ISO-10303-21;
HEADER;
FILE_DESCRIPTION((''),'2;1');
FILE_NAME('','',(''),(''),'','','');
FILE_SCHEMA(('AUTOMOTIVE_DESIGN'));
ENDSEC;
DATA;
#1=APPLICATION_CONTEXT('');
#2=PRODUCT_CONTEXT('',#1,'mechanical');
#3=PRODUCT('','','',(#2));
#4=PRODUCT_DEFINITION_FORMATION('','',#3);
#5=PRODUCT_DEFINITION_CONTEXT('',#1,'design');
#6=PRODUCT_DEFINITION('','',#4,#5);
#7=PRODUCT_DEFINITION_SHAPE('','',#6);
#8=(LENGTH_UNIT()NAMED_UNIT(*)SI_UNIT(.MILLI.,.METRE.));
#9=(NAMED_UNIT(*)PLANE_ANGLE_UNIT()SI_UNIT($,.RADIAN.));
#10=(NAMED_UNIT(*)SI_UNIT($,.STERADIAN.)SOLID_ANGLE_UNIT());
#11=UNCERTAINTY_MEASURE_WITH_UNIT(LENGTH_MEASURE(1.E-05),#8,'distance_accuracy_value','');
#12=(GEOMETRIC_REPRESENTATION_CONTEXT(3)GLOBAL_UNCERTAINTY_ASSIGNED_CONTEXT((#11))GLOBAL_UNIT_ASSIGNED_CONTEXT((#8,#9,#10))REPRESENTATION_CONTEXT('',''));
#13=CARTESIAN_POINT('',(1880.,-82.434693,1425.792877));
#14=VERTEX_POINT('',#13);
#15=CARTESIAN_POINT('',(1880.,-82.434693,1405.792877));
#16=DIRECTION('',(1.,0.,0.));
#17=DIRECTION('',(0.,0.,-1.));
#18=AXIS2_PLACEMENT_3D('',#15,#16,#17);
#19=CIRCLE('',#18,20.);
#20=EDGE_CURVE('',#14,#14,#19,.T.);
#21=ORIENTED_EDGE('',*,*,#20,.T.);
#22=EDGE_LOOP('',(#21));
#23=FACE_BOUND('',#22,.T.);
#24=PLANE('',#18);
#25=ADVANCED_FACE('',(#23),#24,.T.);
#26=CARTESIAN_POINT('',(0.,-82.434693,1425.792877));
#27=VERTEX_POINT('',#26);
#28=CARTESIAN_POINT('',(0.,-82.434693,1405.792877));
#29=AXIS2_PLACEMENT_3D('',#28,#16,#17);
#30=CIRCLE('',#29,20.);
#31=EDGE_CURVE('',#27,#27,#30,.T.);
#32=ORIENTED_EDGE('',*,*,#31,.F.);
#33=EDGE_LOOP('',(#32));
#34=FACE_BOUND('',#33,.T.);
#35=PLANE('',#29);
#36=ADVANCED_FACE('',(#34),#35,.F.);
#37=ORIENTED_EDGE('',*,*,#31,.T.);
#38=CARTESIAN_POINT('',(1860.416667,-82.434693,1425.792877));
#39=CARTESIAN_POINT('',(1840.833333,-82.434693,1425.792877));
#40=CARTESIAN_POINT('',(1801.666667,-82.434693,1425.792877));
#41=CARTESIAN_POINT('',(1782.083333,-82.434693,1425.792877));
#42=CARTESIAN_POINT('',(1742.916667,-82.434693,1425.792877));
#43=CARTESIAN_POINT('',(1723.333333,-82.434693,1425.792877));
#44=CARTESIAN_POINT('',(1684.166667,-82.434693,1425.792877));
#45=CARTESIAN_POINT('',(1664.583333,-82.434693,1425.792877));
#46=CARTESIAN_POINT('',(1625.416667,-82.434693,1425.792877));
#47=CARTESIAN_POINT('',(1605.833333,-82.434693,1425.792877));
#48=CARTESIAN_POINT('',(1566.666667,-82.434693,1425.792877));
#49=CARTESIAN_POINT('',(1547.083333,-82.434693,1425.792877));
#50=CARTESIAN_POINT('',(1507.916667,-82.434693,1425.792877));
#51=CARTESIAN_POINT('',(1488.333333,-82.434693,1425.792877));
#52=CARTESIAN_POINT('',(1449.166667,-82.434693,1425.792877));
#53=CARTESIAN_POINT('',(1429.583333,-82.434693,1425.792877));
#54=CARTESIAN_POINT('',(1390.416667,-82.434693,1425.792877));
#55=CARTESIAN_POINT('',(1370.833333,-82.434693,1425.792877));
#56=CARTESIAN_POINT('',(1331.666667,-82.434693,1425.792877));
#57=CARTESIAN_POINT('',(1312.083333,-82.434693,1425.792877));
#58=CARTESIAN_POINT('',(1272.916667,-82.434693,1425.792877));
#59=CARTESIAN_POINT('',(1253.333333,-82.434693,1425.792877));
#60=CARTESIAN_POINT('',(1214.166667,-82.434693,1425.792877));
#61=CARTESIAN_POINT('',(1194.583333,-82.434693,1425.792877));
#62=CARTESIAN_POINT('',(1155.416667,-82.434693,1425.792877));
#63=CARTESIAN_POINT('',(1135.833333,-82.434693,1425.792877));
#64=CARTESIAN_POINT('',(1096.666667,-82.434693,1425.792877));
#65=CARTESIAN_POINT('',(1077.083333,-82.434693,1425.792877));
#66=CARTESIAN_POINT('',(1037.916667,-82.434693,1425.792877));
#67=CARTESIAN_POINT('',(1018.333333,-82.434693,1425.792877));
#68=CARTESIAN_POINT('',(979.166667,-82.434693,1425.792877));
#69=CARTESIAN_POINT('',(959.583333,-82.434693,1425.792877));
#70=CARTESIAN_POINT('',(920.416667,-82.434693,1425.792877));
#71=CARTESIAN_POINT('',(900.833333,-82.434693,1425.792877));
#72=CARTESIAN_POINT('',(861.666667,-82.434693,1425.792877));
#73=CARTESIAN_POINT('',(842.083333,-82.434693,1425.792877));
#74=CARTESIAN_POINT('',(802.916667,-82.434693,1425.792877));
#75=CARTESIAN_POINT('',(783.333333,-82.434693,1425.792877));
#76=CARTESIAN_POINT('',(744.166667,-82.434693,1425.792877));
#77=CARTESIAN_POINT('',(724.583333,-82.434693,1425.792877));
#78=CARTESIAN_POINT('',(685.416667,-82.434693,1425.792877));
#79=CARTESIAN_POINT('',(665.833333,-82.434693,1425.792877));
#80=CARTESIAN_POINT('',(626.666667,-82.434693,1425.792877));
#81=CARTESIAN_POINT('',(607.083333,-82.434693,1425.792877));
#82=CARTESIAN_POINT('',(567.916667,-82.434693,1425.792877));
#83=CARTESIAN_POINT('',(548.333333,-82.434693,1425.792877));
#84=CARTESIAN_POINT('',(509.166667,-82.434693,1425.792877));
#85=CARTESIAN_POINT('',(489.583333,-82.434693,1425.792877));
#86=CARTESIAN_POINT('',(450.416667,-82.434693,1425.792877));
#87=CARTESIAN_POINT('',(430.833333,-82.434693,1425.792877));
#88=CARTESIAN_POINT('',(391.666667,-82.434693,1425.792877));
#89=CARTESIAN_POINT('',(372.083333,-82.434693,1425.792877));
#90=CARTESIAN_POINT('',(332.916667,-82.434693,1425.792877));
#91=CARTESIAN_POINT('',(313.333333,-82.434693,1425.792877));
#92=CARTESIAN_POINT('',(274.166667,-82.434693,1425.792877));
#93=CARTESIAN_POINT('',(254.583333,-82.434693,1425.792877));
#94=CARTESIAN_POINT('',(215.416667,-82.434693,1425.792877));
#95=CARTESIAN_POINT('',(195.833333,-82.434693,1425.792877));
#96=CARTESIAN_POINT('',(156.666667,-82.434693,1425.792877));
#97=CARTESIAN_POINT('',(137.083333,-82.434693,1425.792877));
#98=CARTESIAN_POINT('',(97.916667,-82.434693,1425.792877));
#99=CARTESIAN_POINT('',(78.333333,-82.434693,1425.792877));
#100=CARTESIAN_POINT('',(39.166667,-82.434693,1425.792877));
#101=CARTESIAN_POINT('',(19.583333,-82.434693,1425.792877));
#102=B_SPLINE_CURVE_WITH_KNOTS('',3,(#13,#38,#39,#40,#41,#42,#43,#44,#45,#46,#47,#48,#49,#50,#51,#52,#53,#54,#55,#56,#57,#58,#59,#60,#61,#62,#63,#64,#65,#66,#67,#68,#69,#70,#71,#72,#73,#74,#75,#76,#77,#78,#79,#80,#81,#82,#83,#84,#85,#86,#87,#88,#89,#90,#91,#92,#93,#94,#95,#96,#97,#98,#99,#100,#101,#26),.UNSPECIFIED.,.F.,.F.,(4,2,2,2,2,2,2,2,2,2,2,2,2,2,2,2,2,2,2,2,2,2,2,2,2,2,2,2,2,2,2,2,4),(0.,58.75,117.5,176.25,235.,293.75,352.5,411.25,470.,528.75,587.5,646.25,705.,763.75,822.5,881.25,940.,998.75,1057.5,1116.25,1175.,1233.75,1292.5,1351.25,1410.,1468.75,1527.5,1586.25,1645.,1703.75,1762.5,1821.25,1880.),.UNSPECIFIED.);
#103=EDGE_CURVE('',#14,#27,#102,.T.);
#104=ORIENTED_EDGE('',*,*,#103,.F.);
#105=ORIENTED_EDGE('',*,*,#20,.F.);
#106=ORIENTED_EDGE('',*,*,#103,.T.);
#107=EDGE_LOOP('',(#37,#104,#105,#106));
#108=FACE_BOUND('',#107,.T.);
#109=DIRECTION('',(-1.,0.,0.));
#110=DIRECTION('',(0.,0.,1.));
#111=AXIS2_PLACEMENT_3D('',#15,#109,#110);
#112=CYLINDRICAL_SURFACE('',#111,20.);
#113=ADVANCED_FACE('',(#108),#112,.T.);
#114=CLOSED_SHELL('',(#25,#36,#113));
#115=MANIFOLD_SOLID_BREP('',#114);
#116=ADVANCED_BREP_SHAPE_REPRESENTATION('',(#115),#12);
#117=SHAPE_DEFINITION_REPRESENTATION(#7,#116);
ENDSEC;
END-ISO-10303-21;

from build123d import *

# Parameters (mm, degrees)
SKETCH4_R           = 20
BOSS_EXTRUDE2_DEPTH = 1880


with BuildPart() as part:
    # Sketch4 → Boss-Extrude2 (new body)
    with BuildSketch(Plane(origin=(0, 0, 0), x_dir=(0, 0, -1), z_dir=(1, 0, 0))):
        with Locations(Location((-1405.79287706, -82.434692834, 0), (0, 0, 180))):
            Circle(SKETCH4_R)
    extrude(amount=BOSS_EXTRUDE2_DEPTH)


solid = part.part
